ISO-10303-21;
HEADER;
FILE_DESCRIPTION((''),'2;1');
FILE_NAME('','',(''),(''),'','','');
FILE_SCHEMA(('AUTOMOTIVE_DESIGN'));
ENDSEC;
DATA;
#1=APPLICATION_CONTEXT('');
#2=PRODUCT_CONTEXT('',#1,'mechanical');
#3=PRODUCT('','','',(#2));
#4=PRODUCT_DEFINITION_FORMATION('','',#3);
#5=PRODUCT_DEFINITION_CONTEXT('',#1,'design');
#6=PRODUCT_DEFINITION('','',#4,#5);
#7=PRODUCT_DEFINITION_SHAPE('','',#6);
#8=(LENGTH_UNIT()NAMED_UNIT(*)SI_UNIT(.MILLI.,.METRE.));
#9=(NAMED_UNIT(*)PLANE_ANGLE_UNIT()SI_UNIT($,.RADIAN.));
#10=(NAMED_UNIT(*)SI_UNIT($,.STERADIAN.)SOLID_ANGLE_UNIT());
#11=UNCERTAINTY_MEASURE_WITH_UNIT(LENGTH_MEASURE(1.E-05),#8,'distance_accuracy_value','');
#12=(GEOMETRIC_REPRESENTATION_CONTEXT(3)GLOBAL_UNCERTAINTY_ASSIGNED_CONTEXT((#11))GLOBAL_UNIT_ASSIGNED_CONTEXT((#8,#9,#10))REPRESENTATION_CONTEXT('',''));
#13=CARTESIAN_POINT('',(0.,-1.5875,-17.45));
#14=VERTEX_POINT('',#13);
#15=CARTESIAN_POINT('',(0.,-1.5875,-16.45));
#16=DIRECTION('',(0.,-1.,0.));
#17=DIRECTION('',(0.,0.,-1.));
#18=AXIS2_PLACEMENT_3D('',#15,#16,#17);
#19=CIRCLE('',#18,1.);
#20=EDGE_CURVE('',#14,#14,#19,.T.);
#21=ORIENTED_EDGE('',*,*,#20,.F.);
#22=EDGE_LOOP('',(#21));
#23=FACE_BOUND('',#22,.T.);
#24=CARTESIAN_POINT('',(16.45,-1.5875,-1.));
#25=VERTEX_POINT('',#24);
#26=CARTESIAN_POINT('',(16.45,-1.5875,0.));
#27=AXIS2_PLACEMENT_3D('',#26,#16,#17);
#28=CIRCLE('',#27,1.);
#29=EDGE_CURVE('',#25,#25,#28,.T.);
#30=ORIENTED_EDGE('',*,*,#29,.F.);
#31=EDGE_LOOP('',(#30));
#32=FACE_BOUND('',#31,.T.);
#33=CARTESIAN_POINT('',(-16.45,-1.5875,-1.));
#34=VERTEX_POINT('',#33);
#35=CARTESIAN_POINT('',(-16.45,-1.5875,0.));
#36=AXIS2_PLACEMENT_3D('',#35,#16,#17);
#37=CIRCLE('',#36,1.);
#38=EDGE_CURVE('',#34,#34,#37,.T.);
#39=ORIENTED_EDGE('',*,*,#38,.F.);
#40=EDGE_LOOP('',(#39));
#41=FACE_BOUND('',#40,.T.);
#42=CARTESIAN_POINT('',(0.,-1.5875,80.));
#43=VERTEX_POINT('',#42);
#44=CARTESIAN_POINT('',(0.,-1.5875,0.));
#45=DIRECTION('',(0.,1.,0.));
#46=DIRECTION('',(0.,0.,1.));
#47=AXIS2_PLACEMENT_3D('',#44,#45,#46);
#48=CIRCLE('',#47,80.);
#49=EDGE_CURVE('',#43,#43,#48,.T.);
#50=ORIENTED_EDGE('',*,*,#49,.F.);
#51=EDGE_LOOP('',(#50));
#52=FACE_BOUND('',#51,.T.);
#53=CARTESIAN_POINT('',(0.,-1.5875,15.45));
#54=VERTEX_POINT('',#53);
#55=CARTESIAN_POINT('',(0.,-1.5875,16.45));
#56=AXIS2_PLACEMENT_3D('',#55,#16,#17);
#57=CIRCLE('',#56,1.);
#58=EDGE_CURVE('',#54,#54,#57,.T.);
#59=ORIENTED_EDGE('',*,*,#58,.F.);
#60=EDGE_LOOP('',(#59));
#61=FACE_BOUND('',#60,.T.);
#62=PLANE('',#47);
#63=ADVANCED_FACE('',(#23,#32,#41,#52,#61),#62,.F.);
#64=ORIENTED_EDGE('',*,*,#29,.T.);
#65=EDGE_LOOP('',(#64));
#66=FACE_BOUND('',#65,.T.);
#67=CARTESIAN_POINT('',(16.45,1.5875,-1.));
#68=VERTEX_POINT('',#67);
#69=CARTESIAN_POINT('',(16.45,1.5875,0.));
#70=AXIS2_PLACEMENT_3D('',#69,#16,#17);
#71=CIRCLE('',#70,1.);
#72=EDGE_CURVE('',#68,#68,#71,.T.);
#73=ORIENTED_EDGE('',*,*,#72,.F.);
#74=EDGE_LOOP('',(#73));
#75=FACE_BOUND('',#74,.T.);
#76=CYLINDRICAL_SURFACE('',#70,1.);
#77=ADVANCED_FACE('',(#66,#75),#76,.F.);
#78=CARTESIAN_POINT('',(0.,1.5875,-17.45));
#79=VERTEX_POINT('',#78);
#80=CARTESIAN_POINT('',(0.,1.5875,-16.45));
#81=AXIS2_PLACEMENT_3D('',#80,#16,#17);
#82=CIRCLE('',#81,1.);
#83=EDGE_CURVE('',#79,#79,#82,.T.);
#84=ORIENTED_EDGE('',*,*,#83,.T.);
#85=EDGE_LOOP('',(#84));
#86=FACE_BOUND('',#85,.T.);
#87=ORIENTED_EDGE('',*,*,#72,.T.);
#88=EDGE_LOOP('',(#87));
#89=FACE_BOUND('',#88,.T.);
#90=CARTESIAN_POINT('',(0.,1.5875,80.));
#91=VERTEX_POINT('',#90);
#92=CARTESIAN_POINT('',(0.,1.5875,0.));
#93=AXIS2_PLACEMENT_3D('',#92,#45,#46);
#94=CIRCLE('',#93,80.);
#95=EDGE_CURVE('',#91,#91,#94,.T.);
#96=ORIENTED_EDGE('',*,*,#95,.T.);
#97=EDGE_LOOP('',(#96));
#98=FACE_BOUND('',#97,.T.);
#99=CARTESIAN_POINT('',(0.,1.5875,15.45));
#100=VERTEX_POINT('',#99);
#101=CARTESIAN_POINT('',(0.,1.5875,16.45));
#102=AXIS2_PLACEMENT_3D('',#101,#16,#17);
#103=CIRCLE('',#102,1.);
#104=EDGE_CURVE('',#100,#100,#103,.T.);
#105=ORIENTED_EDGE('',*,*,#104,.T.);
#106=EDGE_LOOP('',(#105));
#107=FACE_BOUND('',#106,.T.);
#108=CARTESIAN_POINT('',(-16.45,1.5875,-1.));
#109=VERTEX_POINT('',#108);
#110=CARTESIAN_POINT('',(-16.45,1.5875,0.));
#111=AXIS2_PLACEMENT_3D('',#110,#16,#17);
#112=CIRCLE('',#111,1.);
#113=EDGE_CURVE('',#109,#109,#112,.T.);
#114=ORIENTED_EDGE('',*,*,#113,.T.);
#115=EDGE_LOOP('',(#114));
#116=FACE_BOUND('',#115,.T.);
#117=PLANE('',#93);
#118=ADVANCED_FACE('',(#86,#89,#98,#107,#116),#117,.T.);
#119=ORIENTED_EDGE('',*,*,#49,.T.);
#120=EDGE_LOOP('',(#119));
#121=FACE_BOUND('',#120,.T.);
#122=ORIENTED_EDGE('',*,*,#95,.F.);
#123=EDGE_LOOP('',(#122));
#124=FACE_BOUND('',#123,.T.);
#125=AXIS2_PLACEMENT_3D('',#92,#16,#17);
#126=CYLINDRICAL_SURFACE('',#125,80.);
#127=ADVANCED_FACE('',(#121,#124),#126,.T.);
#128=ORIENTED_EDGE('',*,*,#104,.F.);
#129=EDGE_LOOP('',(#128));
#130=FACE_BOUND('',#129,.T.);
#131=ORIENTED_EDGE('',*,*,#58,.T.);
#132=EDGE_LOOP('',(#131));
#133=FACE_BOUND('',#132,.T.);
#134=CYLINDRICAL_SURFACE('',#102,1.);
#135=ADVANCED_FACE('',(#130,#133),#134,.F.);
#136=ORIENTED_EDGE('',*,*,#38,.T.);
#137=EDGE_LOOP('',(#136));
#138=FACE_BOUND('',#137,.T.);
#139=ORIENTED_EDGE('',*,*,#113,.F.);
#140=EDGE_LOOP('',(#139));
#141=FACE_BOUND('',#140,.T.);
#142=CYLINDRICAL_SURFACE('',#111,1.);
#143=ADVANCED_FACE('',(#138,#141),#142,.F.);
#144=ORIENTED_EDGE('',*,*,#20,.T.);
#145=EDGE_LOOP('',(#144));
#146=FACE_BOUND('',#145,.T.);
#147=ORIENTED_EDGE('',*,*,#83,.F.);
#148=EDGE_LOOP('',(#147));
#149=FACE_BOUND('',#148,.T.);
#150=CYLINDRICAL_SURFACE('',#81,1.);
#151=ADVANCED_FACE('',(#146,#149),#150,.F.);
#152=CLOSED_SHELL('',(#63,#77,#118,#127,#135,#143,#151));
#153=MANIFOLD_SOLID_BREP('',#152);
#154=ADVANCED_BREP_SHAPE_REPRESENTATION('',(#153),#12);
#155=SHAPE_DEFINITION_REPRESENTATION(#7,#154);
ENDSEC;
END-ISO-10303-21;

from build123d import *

# Parameters (mm, degrees)
SKETCH1_R           = 80
BOSS_EXTRUDE1_DEPTH = 1.5875
SKETCH2_R           = 1
SKETCH2_R_2         = 0.85
CUT_EXTRUDE2_DEPTH  = 114.181626711


with BuildPart() as part:
    # Sketch1 → Boss-Extrude1 (new, symmetric)
    with BuildSketch(Plane(origin=(0, 0, 0), x_dir=(1, 0, 0), z_dir=(0, 1, 0))):
        with Locations(Location((0, 0, 0), (0, 0, 270))):
            Circle(SKETCH1_R)
    extrude(amount=BOSS_EXTRUDE1_DEPTH, both=True)

    # Sketch2 → Cut-Extrude2 (cut, through all)
    # profile 1 of 8: a face of its own
    with BuildSketch(Plane.XZ.offset(1.5875)):
        with Locations(Location((16.45, 0, 0), (0, 0, 270))):
            Circle(SKETCH2_R)
        with Locations((16.45, 0)):
            Circle(SKETCH2_R_2, mode=Mode.SUBTRACT)
    # profile 2 of 8: a face of its own
    with BuildSketch(Plane.XZ.offset(1.5875)):
        with Locations((16.45, 0)):
            Circle(SKETCH2_R_2)
    # profile 3 of 8: a face of its own
    with BuildSketch(Plane.XZ.offset(1.5875)):
        with Locations(Location((0, -16.45, 0), (0, 0, 270))):
            Circle(SKETCH2_R)
        with Locations((0, -16.45)):
            Circle(SKETCH2_R_2, mode=Mode.SUBTRACT)
    # profile 4 of 8: a face of its own
    with BuildSketch(Plane.XZ.offset(1.5875)):
        with Locations((0, -16.45)):
            Circle(SKETCH2_R_2)
    # profile 5 of 8: a face of its own
    with BuildSketch(Plane.XZ.offset(1.5875)):
        with Locations(Location((-16.45, 0, 0), (0, 0, 270))):
            Circle(SKETCH2_R)
        with Locations((-16.45, 0)):
            Circle(SKETCH2_R_2, mode=Mode.SUBTRACT)
    # profile 6 of 8: a face of its own
    with BuildSketch(Plane.XZ.offset(1.5875)):
        with Locations((-16.45, 0)):
            Circle(SKETCH2_R_2)
    # profile 7 of 8: a face of its own
    with BuildSketch(Plane.XZ.offset(1.5875)):
        with Locations(Location((0, 16.45, 0), (0, 0, 270))):
            Circle(SKETCH2_R)
        with Locations((0, 16.45)):
            Circle(SKETCH2_R_2, mode=Mode.SUBTRACT)
    # profile 8 of 8: a face of its own
    with BuildSketch(Plane.XZ.offset(1.5875)):
        with Locations((0, 16.45)):
            Circle(SKETCH2_R_2)
    extrude(amount=-CUT_EXTRUDE2_DEPTH, mode=Mode.SUBTRACT)


solid = part.part
